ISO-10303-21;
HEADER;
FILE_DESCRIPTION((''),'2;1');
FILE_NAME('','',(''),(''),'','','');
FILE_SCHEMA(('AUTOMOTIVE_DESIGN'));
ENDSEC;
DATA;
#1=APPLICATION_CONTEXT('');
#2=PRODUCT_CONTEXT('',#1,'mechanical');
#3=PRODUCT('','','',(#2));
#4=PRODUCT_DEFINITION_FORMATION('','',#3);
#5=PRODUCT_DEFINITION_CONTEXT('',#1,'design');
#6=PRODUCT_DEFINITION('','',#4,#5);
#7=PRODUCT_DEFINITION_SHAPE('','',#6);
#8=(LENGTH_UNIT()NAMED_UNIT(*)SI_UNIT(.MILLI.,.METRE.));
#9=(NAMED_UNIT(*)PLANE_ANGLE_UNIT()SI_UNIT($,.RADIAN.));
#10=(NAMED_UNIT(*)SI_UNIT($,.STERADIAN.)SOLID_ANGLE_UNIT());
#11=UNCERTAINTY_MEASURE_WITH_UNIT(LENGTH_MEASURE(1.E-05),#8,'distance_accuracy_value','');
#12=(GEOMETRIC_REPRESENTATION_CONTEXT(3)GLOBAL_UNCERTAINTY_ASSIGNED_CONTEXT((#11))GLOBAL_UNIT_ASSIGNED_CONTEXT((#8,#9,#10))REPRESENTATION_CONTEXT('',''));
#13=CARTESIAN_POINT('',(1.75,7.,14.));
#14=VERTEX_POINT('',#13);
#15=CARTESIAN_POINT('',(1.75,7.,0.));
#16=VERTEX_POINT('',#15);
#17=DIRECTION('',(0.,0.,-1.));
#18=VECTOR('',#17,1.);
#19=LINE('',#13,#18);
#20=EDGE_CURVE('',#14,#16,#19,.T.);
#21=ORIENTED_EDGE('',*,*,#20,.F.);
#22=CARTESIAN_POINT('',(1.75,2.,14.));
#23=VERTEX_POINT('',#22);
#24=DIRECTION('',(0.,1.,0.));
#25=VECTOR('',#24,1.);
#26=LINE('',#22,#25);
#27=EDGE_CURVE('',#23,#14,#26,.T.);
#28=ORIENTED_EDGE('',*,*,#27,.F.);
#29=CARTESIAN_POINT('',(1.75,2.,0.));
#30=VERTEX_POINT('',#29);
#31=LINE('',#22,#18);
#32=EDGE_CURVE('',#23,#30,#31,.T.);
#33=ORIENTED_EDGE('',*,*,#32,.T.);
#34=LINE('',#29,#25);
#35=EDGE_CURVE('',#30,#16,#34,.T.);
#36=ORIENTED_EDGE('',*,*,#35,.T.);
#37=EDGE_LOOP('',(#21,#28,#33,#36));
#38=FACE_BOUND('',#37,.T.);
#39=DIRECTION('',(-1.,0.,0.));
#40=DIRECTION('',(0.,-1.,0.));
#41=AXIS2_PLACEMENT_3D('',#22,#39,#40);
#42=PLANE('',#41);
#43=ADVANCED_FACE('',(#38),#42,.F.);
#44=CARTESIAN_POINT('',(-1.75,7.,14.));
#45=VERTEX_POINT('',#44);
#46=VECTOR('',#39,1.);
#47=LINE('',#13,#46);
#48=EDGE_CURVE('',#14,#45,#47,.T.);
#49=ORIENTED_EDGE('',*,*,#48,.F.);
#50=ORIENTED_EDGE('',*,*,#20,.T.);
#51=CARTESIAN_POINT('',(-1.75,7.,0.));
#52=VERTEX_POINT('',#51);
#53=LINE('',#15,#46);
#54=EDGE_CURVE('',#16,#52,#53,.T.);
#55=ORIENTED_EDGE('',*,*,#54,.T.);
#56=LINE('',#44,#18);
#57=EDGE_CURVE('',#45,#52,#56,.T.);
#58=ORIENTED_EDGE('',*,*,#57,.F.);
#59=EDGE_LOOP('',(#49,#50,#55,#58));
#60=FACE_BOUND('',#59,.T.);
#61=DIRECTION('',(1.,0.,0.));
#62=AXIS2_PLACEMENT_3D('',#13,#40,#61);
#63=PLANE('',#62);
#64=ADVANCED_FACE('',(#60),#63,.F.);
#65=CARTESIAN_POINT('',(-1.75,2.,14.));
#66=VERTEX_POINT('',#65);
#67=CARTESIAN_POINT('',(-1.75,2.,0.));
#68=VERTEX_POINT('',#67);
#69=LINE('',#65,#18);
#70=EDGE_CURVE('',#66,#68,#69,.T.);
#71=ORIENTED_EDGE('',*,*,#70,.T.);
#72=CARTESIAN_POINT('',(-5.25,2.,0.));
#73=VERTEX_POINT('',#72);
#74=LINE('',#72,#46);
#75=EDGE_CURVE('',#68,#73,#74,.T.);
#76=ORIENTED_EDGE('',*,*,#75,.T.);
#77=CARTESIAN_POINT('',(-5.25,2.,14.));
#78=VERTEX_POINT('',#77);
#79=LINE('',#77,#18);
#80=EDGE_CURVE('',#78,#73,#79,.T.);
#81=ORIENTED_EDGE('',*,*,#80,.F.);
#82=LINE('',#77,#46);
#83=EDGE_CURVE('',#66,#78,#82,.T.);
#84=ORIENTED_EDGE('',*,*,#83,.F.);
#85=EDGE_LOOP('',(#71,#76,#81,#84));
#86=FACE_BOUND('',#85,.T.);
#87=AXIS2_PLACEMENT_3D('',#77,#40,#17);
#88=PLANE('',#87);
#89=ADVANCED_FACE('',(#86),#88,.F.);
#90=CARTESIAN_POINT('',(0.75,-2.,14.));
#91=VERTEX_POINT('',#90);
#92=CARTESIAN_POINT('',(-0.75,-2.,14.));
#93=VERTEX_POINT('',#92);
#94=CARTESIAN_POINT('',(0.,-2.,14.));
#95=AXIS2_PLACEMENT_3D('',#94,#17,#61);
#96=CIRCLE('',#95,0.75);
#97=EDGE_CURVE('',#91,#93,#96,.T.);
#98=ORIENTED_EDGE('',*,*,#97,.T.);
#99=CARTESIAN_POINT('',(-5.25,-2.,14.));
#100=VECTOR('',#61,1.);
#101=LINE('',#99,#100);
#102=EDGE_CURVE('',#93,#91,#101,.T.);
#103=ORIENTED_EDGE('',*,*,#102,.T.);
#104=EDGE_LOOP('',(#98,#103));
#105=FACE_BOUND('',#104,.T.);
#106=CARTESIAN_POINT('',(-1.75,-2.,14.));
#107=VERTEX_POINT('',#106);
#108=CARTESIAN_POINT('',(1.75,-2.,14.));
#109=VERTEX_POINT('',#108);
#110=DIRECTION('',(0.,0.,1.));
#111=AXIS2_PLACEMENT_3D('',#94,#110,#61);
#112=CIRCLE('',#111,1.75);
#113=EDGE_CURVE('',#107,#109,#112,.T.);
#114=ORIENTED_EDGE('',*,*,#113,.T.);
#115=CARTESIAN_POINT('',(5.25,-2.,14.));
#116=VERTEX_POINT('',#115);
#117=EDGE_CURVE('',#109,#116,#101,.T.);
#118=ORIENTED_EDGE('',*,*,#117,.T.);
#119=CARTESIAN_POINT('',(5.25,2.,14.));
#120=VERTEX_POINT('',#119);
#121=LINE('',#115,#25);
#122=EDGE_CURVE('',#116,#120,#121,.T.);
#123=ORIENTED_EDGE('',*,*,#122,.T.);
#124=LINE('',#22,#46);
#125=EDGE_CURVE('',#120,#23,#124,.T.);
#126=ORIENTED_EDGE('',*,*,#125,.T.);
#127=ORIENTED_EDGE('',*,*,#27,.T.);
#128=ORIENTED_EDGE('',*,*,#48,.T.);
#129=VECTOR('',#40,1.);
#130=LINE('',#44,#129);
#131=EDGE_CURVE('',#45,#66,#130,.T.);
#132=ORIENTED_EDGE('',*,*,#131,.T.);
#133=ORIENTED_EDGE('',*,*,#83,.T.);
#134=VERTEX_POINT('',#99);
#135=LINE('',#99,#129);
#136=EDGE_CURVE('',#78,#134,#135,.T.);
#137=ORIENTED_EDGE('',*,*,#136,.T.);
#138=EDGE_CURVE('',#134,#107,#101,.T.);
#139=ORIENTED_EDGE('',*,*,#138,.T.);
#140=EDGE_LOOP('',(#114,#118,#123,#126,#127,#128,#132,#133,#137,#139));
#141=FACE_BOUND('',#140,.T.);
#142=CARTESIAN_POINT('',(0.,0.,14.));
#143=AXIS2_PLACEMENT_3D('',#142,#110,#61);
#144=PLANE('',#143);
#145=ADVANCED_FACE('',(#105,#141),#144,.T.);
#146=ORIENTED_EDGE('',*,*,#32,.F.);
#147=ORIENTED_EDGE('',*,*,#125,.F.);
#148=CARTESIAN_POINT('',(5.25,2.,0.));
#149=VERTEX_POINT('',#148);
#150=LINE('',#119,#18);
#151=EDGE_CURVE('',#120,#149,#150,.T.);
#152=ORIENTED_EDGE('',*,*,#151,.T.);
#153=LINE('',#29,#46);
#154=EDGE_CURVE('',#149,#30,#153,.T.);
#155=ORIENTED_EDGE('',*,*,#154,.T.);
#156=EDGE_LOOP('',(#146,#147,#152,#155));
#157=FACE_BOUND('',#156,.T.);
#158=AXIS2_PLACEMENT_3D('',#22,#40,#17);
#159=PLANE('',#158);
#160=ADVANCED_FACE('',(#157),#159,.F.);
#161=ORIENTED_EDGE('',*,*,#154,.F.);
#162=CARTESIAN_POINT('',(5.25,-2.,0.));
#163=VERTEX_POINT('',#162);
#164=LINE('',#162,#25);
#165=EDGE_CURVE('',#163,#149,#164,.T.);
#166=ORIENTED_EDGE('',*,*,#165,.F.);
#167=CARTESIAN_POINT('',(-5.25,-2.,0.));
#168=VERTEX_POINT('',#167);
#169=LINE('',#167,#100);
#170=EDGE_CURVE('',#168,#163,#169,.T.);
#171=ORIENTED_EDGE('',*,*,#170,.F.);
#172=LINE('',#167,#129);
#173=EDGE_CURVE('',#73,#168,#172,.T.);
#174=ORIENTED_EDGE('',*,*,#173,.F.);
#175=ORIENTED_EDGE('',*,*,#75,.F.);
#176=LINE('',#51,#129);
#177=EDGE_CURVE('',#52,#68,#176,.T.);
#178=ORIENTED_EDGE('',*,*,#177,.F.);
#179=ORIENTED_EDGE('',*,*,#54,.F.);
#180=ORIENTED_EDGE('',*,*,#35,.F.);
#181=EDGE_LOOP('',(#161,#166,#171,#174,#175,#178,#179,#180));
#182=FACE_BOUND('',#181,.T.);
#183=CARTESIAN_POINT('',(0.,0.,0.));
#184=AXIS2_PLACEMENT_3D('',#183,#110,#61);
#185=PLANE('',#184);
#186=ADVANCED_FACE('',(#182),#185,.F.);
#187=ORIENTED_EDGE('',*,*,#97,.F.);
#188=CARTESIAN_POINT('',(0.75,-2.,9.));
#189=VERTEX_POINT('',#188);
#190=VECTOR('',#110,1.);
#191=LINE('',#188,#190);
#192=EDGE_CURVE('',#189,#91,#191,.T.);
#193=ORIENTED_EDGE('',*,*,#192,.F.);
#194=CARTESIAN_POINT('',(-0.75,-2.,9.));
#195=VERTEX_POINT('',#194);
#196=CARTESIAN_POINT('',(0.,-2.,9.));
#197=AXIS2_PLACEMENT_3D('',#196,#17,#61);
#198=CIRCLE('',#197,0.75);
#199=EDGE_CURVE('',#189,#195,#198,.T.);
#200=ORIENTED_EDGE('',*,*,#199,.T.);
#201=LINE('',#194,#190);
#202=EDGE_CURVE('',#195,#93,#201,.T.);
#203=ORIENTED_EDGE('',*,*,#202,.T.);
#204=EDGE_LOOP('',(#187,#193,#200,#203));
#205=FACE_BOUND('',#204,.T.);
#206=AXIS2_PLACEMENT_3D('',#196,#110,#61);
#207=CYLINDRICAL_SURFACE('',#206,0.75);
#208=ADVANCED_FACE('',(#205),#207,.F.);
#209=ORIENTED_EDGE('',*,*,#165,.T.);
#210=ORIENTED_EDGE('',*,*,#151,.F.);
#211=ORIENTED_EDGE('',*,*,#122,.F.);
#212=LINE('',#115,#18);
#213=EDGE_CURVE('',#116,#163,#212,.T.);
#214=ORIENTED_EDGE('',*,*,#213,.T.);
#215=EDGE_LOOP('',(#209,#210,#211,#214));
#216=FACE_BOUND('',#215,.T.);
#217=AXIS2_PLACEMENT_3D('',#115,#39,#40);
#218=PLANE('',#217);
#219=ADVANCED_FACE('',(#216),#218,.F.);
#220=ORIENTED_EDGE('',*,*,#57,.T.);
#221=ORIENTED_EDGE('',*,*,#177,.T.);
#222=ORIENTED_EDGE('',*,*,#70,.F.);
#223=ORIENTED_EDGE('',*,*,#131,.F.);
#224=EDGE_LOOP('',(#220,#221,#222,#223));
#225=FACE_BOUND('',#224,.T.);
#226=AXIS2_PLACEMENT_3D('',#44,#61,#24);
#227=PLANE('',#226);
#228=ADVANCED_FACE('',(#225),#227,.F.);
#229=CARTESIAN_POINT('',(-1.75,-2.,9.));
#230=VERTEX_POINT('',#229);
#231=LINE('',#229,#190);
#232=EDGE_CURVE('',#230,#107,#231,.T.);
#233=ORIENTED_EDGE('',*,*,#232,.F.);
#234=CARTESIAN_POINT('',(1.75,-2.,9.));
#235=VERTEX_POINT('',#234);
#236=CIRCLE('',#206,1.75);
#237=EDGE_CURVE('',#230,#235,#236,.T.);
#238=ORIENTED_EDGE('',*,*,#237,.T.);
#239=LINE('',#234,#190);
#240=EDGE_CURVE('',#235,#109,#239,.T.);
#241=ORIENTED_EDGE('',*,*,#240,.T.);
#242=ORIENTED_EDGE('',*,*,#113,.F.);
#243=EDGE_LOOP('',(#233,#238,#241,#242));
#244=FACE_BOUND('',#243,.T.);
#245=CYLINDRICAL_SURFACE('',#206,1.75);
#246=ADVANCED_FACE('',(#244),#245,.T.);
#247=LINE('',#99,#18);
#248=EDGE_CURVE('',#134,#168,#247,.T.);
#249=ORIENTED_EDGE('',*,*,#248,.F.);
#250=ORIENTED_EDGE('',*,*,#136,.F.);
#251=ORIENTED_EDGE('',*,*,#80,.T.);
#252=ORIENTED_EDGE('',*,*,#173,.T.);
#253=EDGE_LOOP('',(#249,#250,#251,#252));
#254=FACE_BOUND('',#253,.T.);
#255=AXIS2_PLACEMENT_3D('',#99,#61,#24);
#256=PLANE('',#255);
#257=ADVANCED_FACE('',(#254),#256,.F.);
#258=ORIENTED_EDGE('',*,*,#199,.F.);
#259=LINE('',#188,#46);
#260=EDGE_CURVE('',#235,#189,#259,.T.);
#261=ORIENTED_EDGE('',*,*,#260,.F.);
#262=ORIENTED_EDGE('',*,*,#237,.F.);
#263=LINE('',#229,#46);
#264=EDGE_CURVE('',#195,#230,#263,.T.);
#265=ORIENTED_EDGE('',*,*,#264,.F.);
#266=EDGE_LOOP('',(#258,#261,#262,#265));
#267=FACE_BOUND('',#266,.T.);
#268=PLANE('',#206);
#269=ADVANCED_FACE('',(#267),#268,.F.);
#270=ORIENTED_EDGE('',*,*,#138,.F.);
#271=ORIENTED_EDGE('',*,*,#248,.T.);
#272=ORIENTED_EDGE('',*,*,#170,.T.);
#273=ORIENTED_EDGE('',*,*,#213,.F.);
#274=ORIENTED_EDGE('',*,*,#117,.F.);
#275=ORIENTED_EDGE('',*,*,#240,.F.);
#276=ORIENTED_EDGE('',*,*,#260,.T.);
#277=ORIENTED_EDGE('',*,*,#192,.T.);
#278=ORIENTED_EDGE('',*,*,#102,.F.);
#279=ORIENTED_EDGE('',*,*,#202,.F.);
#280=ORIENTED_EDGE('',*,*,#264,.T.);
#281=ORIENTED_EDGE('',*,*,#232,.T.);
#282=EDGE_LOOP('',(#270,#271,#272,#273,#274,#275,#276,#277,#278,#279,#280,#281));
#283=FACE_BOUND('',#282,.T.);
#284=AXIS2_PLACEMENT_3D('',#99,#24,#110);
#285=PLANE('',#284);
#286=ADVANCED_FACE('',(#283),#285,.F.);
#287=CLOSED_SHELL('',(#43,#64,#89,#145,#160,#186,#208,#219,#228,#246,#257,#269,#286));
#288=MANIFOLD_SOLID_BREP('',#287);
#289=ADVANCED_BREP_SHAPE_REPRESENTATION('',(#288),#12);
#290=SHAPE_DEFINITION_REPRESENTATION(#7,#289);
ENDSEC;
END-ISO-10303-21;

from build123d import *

# Parameters (mm, degrees)
BOSS_EXTRUDE1_DEPTH = 14
BOSS_EXTRUDE2_DEPTH = 5


with BuildPart() as part:
    # Sketch1 → Boss-Extrude1 (new body)
    with BuildSketch(Plane.XY):
        Polygon((1.75, 2), (1.75, 7), (-1.75, 7), (-1.75, 2), (-5.25, 2), (-5.25, -2), (5.25, -2), (5.25, 2), align=None)
    extrude(amount=BOSS_EXTRUDE1_DEPTH)

    # Sketch2 → Boss-Extrude2 (add)
    with BuildSketch(Plane.XY.offset(14)):
        with BuildLine():
            Line((-1.75, -2), (-0.75, -2))
            ThreePointArc((-0.75, -2), (0, -2.75), (0.75, -2))
            Line((0.75, -2), (1.75, -2))
            ThreePointArc((1.75, -2), (0, -3.75), (-1.75, -2))
        make_face()
    extrude(amount=-BOSS_EXTRUDE2_DEPTH)


solid = part.part
